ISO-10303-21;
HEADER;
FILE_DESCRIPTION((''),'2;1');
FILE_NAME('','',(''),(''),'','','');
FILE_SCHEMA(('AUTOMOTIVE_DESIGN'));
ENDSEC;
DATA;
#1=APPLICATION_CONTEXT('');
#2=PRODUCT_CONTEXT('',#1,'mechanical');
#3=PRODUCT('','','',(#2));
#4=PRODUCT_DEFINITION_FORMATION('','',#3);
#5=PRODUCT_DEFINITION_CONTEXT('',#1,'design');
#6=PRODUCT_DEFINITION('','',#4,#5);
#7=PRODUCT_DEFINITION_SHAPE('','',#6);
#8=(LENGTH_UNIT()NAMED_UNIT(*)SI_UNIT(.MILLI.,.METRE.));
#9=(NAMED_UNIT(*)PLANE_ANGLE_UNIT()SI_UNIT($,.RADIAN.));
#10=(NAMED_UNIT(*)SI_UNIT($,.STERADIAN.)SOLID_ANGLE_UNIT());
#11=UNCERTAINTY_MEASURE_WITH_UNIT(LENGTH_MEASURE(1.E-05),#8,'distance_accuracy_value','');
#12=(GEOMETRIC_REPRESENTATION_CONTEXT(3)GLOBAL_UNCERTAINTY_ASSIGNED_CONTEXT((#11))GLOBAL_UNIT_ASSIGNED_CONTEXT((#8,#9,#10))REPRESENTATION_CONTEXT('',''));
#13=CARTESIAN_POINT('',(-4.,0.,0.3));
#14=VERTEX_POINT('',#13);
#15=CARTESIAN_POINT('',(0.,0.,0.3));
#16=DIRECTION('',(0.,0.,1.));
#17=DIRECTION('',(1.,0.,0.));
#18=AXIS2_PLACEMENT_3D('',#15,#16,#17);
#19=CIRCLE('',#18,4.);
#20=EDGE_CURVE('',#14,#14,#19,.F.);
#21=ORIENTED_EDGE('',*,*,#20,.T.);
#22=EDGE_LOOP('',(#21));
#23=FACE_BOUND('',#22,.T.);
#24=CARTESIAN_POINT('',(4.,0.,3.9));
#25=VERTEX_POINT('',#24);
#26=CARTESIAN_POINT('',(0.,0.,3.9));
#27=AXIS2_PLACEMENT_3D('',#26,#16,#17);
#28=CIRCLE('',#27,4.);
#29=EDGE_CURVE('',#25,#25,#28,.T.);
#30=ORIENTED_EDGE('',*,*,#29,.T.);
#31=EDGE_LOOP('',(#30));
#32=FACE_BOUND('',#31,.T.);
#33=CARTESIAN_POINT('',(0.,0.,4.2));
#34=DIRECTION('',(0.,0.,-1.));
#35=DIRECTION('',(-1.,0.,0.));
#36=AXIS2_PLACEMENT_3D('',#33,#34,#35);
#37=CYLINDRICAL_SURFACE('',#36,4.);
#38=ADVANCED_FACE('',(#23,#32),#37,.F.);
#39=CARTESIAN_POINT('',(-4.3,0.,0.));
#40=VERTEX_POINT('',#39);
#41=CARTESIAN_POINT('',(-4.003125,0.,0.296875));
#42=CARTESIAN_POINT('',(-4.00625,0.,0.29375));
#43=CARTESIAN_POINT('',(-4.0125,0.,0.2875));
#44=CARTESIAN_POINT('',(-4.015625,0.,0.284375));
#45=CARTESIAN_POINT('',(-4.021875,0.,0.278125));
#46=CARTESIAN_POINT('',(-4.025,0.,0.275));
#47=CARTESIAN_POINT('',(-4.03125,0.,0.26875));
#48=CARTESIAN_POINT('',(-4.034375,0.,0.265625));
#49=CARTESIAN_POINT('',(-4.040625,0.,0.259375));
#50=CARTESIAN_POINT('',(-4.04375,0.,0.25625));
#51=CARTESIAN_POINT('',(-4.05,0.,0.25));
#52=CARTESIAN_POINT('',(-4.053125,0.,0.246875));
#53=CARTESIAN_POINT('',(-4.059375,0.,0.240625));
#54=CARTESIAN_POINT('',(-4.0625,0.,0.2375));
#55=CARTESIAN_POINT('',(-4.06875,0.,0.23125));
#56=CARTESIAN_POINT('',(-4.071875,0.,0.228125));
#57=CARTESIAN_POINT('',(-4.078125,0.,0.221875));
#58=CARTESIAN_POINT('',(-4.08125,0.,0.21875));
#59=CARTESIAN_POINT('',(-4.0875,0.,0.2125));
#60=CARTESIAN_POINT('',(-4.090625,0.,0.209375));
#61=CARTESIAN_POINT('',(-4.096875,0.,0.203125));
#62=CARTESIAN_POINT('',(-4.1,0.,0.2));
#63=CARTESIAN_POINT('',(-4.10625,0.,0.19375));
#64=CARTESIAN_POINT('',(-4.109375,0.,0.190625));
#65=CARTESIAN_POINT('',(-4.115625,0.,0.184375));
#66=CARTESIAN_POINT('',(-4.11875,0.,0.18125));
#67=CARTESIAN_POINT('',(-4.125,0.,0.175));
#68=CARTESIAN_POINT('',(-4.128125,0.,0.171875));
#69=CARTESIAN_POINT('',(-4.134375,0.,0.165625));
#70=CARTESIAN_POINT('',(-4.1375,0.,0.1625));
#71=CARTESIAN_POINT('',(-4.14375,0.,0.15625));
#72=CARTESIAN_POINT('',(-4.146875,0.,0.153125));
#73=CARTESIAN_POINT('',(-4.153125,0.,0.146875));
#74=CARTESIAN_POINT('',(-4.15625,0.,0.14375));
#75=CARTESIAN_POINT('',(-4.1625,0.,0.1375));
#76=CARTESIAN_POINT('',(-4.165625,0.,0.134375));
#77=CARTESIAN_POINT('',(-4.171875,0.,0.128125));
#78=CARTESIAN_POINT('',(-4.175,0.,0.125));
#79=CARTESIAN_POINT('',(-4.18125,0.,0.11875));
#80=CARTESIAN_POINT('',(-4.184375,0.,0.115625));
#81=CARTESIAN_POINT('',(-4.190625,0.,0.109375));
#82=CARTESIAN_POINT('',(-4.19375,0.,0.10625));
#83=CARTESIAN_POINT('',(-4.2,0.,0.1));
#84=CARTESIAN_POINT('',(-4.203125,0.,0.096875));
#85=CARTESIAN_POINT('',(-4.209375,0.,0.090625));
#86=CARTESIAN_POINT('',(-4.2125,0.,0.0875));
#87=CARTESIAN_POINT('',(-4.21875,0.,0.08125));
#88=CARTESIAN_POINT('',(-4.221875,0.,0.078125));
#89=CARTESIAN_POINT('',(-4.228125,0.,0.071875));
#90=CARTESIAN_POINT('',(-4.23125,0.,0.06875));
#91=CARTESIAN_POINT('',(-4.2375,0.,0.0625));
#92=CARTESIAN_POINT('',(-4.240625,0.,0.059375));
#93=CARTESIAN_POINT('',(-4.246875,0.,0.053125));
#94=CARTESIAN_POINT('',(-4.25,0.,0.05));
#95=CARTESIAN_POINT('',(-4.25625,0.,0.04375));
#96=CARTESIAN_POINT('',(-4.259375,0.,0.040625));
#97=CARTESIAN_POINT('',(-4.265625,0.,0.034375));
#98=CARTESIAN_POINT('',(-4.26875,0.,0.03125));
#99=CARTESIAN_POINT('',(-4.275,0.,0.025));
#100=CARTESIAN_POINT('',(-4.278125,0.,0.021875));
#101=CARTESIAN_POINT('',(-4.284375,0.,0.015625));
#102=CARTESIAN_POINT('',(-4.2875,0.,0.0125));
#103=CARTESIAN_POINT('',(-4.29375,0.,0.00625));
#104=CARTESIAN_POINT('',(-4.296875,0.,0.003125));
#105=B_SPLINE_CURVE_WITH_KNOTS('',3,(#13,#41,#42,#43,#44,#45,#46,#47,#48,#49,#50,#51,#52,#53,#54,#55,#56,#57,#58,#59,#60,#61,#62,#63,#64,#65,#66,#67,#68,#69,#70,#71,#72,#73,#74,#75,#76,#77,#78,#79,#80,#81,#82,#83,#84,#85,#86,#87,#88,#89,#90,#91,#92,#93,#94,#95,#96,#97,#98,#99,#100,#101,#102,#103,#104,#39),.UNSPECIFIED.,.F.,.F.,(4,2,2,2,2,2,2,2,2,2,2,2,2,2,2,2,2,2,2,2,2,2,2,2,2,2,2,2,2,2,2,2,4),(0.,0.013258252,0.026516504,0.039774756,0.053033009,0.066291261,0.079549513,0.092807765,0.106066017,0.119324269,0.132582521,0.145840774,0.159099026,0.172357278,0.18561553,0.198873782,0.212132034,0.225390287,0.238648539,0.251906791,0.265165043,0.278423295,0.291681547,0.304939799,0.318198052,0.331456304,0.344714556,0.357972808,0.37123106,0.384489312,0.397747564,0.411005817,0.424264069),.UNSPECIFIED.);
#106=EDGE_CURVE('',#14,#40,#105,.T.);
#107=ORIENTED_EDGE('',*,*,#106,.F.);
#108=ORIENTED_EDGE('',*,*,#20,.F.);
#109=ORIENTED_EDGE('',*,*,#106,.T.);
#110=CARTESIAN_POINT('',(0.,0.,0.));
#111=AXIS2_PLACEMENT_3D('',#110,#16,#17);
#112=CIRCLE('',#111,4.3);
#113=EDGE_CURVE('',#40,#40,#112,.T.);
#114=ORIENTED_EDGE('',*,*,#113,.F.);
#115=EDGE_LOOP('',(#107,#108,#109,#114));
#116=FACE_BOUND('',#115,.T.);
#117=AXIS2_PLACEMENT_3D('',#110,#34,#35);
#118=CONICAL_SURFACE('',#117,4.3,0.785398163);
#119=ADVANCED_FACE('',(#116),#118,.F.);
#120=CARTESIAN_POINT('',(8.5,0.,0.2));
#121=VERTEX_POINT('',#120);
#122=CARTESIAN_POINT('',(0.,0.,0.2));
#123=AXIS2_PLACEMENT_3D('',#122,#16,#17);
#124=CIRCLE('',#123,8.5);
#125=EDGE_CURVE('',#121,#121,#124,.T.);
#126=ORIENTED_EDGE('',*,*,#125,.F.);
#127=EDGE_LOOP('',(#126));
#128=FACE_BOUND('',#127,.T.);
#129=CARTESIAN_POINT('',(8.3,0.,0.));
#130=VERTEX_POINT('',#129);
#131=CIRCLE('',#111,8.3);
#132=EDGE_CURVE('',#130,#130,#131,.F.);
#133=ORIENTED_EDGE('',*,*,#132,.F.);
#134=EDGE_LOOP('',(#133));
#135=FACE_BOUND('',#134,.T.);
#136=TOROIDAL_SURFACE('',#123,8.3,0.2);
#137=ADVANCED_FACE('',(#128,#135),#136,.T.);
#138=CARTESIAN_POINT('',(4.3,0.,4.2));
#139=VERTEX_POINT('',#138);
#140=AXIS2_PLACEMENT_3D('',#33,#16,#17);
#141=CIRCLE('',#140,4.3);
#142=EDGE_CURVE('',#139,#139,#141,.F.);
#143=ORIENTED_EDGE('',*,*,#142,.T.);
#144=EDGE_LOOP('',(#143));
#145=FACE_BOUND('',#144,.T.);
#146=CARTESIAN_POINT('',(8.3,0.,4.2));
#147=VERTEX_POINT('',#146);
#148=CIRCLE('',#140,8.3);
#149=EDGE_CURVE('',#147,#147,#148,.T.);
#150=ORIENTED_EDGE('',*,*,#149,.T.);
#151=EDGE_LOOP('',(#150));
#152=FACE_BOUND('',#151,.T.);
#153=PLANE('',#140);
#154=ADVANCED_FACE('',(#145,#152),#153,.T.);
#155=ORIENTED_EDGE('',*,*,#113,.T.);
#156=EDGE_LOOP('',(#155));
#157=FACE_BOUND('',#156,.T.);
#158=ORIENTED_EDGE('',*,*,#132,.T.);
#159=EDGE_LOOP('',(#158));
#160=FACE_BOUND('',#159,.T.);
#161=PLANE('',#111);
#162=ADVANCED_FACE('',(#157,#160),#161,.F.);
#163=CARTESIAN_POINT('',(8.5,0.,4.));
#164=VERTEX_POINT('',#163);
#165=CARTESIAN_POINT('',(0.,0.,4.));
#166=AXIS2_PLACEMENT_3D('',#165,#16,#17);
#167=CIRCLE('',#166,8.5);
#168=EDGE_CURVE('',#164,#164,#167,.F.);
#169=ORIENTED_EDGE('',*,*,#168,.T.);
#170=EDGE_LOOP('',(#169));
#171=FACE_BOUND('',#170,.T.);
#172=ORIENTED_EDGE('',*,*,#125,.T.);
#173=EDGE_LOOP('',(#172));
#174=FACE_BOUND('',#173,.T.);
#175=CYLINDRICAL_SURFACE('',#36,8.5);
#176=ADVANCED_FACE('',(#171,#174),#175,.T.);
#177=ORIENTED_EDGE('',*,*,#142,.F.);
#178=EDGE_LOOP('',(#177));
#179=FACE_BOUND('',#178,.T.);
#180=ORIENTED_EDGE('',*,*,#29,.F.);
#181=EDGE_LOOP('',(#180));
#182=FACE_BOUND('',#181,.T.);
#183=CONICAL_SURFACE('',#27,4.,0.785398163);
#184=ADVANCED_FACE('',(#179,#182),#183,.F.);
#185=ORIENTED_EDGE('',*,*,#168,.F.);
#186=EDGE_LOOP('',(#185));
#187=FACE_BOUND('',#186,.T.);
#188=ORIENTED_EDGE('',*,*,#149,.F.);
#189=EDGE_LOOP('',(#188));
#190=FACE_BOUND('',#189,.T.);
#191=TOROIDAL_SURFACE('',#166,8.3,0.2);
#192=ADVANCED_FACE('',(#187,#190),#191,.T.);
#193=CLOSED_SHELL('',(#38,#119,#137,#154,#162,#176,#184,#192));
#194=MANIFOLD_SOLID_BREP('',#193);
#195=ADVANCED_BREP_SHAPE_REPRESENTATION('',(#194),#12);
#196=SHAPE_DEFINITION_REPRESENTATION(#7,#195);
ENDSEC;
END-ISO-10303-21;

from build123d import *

# Parameters (mm, degrees)
SKETCH1_R           = 8.5
SKETCH1_R_2         = 4
BOSS_EXTRUDE1_DEPTH = 4.2
CHAMFER1_SIZE       = 0.3
FILLET1_R           = 0.2


with BuildPart() as part:
    # Sketch1 → Boss-Extrude1 (new body)
    with BuildSketch(Plane.XY):
        Circle(SKETCH1_R)
        Circle(SKETCH1_R_2, mode=Mode.SUBTRACT)
    extrude(amount=BOSS_EXTRUDE1_DEPTH)

    # Chamfer1
    chamfer1_edges = [part.edges().sort_by_distance(p)[0] for p in [
        (-4, 0, 0),
        (-4, 0, 4.2),
    ]]
    chamfer(chamfer1_edges, length=CHAMFER1_SIZE)

    # Fillet1
    fillet1_edges = [part.edges().sort_by_distance(p)[0] for p in [
        (-8.5, 0, 0),
        (-8.5, 0, 4.2),
    ]]
    fillet(fillet1_edges, radius=FILLET1_R)


solid = part.part
